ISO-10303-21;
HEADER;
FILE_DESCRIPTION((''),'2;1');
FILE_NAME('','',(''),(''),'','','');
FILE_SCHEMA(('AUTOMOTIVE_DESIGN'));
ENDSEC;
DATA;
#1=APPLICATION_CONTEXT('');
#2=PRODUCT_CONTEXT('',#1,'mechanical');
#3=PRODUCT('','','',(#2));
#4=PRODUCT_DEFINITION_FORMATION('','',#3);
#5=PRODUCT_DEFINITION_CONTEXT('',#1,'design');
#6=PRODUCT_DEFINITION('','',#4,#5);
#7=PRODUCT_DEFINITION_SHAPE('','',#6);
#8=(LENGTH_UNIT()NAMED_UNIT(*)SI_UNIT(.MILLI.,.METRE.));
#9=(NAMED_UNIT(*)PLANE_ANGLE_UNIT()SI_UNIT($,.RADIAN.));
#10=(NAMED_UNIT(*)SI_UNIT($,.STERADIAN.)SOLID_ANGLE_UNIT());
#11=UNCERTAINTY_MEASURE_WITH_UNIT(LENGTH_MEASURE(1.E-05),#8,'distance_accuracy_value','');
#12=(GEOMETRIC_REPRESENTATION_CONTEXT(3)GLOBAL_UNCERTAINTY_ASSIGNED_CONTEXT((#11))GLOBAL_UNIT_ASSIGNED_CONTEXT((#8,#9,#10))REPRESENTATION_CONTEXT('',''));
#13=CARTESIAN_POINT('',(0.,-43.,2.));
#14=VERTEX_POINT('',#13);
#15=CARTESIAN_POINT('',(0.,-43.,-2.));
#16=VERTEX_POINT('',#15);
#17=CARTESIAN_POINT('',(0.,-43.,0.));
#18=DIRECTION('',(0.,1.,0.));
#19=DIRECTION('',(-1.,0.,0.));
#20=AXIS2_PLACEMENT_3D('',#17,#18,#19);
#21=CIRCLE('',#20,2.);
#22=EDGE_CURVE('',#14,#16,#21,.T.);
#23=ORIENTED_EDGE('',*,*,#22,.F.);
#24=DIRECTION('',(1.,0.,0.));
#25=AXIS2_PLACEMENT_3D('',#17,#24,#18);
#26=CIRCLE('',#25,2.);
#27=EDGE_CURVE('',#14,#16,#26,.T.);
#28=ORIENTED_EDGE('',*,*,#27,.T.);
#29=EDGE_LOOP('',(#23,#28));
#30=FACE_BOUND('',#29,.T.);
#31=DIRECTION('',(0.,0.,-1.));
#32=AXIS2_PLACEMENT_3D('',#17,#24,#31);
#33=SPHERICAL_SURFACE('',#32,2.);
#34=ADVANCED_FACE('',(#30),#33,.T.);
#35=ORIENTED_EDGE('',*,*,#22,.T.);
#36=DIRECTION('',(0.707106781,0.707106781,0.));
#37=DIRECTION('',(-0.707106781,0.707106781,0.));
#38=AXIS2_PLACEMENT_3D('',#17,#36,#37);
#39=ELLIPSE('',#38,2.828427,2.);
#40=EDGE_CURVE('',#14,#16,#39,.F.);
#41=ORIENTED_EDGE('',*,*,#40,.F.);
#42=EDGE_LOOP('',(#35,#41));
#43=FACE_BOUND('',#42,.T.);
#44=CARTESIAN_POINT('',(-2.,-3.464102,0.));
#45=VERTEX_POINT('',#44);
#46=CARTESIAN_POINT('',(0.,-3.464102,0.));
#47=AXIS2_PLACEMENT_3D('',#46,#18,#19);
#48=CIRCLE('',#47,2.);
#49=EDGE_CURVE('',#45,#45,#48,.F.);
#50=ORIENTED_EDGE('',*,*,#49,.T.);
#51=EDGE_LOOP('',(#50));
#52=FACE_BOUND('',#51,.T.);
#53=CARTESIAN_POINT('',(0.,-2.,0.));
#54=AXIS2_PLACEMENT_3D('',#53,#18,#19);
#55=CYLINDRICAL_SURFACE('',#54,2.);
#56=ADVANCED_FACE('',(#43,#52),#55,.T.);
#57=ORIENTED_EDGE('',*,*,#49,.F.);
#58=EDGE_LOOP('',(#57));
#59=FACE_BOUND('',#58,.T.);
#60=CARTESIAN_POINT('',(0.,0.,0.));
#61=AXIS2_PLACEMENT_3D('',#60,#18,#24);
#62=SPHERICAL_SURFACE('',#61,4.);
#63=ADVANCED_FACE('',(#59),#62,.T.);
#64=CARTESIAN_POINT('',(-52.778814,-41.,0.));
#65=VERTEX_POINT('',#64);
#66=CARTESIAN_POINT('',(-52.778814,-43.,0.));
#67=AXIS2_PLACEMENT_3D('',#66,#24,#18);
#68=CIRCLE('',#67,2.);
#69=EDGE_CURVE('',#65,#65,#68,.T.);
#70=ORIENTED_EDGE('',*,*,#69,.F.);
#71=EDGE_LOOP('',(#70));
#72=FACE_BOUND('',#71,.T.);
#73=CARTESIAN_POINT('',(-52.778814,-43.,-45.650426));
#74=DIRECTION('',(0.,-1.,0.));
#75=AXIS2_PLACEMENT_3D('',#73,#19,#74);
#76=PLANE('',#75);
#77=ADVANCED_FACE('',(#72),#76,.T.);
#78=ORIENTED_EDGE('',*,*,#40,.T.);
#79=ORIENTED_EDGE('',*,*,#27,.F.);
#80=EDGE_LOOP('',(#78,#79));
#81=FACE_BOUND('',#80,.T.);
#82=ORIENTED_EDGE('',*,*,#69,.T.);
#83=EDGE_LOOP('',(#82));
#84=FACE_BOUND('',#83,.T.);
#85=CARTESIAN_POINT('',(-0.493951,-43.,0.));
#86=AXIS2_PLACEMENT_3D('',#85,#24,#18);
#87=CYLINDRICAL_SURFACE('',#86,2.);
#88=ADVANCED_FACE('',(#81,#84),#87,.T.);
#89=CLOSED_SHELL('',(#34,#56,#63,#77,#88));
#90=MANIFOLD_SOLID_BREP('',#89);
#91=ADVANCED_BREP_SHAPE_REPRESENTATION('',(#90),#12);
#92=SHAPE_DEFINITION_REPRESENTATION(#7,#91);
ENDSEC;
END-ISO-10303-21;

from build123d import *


with BuildPart() as part:
    # 草图1 → 旋转3 (revolve)
    with BuildSketch(Plane.XY):
        with BuildLine():
            Line((-2, 0), (0, 0))
            Line((0, 0), (0, 4))
            ThreePointArc((0, 4), (-3.863703305, 1.03527618), (-2, -3.464101615))
            Line((-2, -3.464101615), (-2, 0))
        make_face()
        with BuildLine():
            Line((0, -4), (0, 0))
            Line((0, 0), (-2, 0))
            Line((-2, 0), (-2, -3.464101615))
            ThreePointArc((-2, -3.464101615), (-1.03527618, -3.863703305), (0, -4))
        make_face()
    revolve(axis=Axis((0, -4, 0), (0, -1, 0)))

    # 草图3 → 旋转4 (revolve)
    with BuildSketch(Plane.XY):
        with BuildLine():
            Line((0, -43), (0, -2))
            ThreePointArc((0, -2), (-1.414213562, -1.414213562), (-2, 0))
            Line((-2, 0), (-2, -2))
            Line((-2, -2), (-2, -43))
            Line((-2, -43), (0, -43))
        make_face()
    revolve(axis=Axis((0, -2, 0), (0, -1, 0)))

    # 草图4 → 旋转6 (revolve)
    with BuildSketch(Plane.XZ.offset(43)):
        with BuildLine():
            Line((-52.778814048, 0), (-4, 0))
            ThreePointArc((-4, 0), (-3.863703305, 1.03527618), (-3.464101615, 2))
            Line((-3.464101615, 2), (-52.778814048, 2))
            Line((-52.778814048, 2), (-52.778814048, 0))
        make_face()
        with BuildLine():
            Line((-4, 0), (-2, 0))
            ThreePointArc((-2, 0), (-1.414213562, 1.414213562), (0, 2))
            Line((0, 2), (-0.493950763, 2))
            Line((-0.493950763, 2), (-3.464101615, 2))
            ThreePointArc((-3.464101615, 2), (-3.863703305, 1.03527618), (-4, 0))
        make_face()
        with BuildLine():
            Line((0, 2), (0, 0))
            Line((0, 0), (2, 0))
            ThreePointArc((2, 0), (1.414213562, 1.414213562), (0, 2))
        make_face()
        with BuildLine():
            Line((-2, 0), (-0.493950763, 0))
            Line((-0.493950763, 0), (0, 0))
            Line((0, 0), (0, 2))
            ThreePointArc((0, 2), (-1.414213562, 1.414213562), (-2, 0))
        make_face()
    revolve(axis=Axis((-0.493950763, -43, 0), (-1, 0, 0)))


solid = part.part
